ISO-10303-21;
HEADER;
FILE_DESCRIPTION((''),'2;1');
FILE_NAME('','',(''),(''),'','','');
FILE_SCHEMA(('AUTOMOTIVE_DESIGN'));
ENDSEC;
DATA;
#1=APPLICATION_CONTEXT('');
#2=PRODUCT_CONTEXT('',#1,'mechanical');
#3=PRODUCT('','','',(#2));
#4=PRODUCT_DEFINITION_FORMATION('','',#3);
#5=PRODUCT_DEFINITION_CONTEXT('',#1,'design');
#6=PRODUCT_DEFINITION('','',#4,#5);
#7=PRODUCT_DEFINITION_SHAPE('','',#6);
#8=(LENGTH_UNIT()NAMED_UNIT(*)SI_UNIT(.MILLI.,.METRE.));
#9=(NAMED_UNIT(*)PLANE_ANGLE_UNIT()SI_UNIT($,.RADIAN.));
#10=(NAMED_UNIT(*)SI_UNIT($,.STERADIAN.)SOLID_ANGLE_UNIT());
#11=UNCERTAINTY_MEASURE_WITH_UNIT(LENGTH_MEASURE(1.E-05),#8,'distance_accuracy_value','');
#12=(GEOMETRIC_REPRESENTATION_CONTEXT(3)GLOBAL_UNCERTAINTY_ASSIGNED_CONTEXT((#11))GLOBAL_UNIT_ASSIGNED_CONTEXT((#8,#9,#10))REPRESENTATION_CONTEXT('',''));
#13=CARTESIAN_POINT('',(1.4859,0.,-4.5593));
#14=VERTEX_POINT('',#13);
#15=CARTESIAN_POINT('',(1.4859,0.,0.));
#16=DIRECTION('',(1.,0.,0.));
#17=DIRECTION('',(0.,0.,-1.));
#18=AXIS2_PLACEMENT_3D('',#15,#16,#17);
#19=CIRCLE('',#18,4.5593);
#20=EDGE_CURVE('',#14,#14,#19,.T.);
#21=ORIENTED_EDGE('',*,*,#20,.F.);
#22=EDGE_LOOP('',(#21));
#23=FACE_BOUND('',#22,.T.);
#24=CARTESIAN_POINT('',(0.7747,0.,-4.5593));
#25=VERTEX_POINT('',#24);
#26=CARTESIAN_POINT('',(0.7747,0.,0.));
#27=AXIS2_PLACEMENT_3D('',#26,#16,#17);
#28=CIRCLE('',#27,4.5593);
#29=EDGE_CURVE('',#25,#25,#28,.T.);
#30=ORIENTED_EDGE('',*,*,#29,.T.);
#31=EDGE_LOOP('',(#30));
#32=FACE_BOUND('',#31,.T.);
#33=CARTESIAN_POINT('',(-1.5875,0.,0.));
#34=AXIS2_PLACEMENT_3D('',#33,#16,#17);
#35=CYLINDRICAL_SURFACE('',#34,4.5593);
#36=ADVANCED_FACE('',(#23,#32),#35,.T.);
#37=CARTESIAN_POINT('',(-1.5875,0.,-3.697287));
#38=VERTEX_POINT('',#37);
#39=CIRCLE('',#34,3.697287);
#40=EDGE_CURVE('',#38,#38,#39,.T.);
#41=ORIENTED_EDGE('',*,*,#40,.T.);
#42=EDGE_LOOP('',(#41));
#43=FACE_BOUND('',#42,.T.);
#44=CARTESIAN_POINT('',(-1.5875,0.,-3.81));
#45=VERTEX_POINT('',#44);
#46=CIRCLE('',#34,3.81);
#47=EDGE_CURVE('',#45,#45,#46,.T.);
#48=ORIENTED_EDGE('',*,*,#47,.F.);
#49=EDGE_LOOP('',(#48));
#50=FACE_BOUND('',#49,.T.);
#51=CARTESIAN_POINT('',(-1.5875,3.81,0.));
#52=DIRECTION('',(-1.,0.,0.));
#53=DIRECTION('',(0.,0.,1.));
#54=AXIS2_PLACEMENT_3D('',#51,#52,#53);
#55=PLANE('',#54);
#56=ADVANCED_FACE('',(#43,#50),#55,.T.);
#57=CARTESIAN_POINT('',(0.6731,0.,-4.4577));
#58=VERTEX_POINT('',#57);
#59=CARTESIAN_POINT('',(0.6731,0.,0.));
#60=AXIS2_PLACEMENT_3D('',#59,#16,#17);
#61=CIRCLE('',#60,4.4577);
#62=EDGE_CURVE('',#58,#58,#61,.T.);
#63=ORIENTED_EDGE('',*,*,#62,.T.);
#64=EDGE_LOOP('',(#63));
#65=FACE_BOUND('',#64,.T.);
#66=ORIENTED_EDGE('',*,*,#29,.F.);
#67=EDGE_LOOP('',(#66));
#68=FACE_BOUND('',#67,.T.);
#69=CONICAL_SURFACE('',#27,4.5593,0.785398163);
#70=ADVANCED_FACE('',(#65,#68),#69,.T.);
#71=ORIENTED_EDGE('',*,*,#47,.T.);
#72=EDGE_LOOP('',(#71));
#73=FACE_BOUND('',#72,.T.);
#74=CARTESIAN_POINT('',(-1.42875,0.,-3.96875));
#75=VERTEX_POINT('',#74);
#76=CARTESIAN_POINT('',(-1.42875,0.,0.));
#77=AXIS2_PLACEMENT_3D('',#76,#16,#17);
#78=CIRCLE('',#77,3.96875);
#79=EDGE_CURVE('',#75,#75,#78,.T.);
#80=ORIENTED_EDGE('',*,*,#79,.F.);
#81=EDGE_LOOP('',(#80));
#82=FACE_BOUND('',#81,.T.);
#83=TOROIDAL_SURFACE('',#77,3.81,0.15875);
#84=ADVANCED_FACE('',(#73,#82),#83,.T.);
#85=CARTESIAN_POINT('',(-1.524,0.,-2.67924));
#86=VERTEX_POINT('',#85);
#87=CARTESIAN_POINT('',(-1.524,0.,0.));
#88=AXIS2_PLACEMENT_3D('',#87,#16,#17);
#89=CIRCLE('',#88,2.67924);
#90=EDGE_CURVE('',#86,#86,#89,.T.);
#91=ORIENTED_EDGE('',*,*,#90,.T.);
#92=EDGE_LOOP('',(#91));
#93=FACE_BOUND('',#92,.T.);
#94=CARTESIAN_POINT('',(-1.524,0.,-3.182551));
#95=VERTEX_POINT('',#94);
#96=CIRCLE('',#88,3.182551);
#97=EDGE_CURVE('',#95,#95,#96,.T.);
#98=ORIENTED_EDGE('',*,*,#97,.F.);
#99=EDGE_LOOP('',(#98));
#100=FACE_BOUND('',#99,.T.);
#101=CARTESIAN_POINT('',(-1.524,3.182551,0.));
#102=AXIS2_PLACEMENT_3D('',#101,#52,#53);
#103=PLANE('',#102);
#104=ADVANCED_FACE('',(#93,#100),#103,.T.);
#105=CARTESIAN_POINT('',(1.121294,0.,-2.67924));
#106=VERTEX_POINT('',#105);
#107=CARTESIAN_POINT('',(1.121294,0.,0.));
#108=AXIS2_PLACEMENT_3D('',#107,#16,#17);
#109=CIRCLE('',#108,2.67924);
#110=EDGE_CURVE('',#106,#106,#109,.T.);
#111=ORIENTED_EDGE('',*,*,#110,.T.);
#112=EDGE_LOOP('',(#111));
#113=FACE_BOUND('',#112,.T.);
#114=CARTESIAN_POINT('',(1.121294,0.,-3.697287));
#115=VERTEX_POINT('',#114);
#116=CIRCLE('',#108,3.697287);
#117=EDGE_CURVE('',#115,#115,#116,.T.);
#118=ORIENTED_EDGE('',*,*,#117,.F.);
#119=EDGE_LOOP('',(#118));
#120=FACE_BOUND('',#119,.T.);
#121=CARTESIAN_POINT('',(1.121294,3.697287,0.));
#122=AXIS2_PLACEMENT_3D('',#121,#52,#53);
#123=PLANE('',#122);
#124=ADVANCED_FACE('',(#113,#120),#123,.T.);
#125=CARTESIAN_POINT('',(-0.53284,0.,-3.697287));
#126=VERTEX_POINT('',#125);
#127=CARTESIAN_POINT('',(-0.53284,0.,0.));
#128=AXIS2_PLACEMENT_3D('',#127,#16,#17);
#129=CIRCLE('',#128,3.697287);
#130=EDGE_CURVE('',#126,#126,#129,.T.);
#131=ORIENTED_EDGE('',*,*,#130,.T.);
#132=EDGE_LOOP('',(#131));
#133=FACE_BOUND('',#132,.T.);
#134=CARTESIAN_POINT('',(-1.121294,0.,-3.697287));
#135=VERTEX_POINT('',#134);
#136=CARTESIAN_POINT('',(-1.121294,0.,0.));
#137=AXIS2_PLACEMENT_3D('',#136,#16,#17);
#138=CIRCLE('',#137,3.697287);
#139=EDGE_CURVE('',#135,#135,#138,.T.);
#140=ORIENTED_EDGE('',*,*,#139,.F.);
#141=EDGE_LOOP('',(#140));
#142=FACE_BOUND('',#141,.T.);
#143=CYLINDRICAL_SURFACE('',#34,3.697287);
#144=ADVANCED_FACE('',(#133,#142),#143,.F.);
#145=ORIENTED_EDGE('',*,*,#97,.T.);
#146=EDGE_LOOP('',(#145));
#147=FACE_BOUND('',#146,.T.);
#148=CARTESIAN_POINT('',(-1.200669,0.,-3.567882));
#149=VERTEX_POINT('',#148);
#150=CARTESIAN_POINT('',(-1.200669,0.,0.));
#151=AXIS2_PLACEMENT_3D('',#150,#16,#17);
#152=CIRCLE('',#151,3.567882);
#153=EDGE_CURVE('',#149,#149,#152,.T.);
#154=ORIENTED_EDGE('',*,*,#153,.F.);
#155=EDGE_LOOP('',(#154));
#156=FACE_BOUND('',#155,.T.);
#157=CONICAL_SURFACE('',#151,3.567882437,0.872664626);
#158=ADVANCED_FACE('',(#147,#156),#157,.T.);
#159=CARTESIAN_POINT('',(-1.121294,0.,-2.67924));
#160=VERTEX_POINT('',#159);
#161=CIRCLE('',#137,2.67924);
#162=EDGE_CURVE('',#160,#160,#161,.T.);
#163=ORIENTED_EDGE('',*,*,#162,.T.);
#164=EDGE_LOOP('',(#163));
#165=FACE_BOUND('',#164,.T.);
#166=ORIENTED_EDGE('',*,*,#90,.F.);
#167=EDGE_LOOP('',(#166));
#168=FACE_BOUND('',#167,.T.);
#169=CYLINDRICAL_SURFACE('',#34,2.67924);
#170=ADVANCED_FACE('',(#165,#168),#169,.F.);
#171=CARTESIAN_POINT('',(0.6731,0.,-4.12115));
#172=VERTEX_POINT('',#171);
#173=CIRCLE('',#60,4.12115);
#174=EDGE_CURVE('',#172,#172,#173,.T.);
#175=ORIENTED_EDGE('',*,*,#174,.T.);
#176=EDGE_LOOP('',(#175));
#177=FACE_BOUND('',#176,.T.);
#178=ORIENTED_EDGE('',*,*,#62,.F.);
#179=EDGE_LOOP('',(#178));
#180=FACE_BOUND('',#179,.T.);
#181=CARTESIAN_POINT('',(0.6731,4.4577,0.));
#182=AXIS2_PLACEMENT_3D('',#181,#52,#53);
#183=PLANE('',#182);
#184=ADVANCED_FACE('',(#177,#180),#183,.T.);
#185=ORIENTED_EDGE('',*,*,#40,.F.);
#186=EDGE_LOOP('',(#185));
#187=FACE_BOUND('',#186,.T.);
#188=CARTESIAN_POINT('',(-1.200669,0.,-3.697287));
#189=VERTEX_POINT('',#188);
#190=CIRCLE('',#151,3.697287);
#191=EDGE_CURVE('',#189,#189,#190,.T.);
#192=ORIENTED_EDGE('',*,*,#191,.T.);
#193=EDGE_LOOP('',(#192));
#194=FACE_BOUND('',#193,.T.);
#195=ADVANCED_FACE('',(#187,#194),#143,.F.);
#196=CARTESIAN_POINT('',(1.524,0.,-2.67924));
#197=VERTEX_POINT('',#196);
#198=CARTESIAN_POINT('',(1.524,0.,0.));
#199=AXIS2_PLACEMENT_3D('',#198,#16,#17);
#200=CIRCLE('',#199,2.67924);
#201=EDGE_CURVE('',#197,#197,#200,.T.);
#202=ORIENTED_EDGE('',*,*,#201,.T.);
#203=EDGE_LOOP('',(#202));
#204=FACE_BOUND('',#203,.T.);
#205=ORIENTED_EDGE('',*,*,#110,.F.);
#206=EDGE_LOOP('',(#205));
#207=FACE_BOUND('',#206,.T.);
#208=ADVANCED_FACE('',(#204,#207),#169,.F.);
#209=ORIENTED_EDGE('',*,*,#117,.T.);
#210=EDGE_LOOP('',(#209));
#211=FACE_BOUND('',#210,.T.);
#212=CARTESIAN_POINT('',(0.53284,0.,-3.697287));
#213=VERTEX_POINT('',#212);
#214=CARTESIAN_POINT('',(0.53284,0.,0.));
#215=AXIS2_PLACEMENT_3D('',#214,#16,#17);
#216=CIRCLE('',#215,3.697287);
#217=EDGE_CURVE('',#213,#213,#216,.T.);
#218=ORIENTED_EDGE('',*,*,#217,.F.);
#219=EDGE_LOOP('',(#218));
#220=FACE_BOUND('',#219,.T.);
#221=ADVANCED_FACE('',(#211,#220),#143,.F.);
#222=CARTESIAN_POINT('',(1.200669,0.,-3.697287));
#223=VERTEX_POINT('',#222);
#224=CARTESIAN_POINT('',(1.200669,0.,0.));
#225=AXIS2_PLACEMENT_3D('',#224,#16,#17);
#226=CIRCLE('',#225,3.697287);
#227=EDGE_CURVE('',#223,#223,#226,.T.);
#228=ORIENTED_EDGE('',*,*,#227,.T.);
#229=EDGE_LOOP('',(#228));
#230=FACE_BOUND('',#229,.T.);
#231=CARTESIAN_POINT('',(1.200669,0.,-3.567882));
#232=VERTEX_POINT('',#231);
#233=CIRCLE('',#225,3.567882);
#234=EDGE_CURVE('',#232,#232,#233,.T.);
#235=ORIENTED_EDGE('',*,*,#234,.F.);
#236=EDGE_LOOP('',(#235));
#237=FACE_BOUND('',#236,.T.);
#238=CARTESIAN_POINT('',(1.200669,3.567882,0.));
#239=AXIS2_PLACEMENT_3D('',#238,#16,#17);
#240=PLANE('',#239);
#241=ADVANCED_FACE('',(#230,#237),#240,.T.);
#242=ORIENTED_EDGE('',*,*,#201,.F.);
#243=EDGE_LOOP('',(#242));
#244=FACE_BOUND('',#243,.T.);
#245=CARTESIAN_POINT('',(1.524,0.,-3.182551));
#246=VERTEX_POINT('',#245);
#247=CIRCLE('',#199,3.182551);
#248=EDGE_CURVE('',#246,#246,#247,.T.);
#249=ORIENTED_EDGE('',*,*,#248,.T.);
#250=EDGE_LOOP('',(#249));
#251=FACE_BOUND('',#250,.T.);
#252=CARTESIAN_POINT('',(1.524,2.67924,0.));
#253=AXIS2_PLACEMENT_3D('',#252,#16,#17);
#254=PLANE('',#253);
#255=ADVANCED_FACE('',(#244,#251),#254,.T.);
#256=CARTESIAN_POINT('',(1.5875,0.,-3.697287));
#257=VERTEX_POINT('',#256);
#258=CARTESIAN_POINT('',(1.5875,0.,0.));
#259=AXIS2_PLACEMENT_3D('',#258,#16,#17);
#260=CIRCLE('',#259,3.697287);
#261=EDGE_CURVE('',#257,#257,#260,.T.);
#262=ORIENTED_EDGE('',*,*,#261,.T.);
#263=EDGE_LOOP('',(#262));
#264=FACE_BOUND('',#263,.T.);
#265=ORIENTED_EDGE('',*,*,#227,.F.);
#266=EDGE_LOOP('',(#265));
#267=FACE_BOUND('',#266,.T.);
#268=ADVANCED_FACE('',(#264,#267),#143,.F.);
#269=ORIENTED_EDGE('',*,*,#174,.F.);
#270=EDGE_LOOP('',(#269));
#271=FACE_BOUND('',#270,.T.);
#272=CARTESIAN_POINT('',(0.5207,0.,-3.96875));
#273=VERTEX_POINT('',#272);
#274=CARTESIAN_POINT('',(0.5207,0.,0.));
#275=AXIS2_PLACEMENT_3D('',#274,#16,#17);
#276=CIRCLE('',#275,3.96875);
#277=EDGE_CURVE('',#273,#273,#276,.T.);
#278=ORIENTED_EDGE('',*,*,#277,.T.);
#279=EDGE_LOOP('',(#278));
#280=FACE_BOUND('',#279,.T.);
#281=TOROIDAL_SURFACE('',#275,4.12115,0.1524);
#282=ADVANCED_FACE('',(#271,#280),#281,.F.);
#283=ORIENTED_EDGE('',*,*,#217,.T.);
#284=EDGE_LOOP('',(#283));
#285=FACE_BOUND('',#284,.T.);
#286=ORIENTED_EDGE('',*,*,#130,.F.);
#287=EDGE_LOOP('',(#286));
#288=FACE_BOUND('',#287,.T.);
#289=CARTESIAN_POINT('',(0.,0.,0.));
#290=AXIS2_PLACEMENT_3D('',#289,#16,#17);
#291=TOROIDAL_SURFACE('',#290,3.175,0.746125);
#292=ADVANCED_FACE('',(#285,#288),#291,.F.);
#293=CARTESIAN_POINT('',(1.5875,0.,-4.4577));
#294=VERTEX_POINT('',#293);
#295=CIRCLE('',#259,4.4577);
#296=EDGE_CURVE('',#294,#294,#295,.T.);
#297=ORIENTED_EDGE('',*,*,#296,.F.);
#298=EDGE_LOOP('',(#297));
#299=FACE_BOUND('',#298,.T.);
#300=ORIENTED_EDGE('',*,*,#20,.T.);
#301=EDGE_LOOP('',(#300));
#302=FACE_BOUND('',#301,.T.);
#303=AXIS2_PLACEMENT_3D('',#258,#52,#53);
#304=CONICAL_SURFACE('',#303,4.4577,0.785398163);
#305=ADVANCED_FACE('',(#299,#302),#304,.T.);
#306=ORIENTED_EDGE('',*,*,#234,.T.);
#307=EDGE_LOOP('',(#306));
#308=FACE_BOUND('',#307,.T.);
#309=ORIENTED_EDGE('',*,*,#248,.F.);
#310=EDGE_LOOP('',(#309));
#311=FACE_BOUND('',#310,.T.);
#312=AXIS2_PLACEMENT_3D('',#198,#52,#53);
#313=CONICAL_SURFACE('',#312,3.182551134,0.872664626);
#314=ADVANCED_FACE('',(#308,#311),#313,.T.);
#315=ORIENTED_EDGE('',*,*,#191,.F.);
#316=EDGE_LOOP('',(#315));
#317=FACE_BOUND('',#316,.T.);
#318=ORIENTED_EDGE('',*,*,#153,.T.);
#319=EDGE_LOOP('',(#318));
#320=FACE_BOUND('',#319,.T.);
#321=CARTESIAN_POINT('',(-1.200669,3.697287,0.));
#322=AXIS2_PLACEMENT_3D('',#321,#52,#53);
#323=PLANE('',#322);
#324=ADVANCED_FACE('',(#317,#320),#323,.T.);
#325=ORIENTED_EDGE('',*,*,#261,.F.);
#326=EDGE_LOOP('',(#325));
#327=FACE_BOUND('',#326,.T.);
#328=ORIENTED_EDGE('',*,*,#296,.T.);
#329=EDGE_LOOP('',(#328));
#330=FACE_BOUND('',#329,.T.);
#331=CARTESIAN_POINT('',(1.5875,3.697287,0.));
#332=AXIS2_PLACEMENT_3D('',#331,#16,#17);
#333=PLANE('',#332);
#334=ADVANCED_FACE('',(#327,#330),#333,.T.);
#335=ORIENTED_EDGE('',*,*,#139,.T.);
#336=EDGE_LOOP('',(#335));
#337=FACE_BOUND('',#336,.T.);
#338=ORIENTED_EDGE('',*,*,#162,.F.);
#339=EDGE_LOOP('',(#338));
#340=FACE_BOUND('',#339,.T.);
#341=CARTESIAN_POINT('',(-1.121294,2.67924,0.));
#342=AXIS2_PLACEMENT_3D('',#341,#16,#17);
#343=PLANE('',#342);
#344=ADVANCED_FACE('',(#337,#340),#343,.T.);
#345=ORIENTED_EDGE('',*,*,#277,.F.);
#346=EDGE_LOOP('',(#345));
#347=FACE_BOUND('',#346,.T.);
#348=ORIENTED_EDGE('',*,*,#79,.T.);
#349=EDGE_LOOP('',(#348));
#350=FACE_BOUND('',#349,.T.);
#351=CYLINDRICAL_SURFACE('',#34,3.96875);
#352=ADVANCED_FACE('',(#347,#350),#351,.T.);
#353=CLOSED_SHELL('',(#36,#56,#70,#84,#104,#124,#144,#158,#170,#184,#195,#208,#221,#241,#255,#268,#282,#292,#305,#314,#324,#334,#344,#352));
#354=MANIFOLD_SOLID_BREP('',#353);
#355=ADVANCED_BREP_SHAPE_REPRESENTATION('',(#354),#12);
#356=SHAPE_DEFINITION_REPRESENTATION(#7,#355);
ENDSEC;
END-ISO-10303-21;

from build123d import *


with BuildPart() as part:
    # Sketch1 → Revolve1 (revolve)
    with BuildSketch(Plane.XY, mode=Mode.PRIVATE) as revolve1_sk:
        with BuildLine():
            Line((0.532839829, 3.6972875), (1.121293646, 3.6972875))
            Line((1.121293646, 3.6972875), (1.121293646, 2.679239625))
            Line((1.121293646, 2.679239625), (1.524, 2.679239625))
            Line((1.524, 2.679239625), (1.524, 3.182551134))
            Line((1.524, 3.182551134), (1.200668646, 3.567882437))
            Line((1.200668646, 3.567882437), (1.200668646, 3.6972875))
            Line((1.200668646, 3.6972875), (1.5875, 3.6972875))
            Line((1.5875, 3.6972875), (1.5875, 4.4577))
            Line((1.5875, 4.4577), (1.4859, 4.5593))
            Line((1.4859, 4.5593), (0.7747, 4.5593))
            Line((0.7747, 4.5593), (0.6731, 4.4577))
            Line((0.6731, 4.4577), (0.6731, 4.12115))
            ThreePointArc((0.6731, 4.12115), (0.628463073, 4.013386927), (0.5207, 3.96875))
            Line((0.5207, 3.96875), (-1.42875, 3.96875))
            ThreePointArc((-1.42875, 3.96875), (-1.541003202, 3.922253202), (-1.5875, 3.81))
            Line((-1.5875, 3.81), (-1.5875, 3.6972875))
            Line((-1.5875, 3.6972875), (-1.200668646, 3.6972875))
            Line((-1.200668646, 3.6972875), (-1.200668646, 3.567882438))
            Line((-1.200668646, 3.567882438), (-1.524, 3.182551134))
            Line((-1.524, 3.182551134), (-1.524, 2.679239625))
            Line((-1.524, 2.679239625), (-1.121293646, 2.679239625))
            Line((-1.121293646, 2.679239625), (-1.121293646, 3.6972875))
            Line((-1.121293646, 3.6972875), (-0.532839829, 3.6972875))
            ThreePointArc((-0.532839829, 3.6972875), (0, 3.921125), (0.532839829, 3.6972875))
        make_face()
    revolve(revolve1_sk.sketch.rotate(Axis((-1.5875, 0, 0), (1, 0, 0)), 270), axis=Axis((-1.5875, 0, 0), (1, 0, 0)))


solid = part.part
